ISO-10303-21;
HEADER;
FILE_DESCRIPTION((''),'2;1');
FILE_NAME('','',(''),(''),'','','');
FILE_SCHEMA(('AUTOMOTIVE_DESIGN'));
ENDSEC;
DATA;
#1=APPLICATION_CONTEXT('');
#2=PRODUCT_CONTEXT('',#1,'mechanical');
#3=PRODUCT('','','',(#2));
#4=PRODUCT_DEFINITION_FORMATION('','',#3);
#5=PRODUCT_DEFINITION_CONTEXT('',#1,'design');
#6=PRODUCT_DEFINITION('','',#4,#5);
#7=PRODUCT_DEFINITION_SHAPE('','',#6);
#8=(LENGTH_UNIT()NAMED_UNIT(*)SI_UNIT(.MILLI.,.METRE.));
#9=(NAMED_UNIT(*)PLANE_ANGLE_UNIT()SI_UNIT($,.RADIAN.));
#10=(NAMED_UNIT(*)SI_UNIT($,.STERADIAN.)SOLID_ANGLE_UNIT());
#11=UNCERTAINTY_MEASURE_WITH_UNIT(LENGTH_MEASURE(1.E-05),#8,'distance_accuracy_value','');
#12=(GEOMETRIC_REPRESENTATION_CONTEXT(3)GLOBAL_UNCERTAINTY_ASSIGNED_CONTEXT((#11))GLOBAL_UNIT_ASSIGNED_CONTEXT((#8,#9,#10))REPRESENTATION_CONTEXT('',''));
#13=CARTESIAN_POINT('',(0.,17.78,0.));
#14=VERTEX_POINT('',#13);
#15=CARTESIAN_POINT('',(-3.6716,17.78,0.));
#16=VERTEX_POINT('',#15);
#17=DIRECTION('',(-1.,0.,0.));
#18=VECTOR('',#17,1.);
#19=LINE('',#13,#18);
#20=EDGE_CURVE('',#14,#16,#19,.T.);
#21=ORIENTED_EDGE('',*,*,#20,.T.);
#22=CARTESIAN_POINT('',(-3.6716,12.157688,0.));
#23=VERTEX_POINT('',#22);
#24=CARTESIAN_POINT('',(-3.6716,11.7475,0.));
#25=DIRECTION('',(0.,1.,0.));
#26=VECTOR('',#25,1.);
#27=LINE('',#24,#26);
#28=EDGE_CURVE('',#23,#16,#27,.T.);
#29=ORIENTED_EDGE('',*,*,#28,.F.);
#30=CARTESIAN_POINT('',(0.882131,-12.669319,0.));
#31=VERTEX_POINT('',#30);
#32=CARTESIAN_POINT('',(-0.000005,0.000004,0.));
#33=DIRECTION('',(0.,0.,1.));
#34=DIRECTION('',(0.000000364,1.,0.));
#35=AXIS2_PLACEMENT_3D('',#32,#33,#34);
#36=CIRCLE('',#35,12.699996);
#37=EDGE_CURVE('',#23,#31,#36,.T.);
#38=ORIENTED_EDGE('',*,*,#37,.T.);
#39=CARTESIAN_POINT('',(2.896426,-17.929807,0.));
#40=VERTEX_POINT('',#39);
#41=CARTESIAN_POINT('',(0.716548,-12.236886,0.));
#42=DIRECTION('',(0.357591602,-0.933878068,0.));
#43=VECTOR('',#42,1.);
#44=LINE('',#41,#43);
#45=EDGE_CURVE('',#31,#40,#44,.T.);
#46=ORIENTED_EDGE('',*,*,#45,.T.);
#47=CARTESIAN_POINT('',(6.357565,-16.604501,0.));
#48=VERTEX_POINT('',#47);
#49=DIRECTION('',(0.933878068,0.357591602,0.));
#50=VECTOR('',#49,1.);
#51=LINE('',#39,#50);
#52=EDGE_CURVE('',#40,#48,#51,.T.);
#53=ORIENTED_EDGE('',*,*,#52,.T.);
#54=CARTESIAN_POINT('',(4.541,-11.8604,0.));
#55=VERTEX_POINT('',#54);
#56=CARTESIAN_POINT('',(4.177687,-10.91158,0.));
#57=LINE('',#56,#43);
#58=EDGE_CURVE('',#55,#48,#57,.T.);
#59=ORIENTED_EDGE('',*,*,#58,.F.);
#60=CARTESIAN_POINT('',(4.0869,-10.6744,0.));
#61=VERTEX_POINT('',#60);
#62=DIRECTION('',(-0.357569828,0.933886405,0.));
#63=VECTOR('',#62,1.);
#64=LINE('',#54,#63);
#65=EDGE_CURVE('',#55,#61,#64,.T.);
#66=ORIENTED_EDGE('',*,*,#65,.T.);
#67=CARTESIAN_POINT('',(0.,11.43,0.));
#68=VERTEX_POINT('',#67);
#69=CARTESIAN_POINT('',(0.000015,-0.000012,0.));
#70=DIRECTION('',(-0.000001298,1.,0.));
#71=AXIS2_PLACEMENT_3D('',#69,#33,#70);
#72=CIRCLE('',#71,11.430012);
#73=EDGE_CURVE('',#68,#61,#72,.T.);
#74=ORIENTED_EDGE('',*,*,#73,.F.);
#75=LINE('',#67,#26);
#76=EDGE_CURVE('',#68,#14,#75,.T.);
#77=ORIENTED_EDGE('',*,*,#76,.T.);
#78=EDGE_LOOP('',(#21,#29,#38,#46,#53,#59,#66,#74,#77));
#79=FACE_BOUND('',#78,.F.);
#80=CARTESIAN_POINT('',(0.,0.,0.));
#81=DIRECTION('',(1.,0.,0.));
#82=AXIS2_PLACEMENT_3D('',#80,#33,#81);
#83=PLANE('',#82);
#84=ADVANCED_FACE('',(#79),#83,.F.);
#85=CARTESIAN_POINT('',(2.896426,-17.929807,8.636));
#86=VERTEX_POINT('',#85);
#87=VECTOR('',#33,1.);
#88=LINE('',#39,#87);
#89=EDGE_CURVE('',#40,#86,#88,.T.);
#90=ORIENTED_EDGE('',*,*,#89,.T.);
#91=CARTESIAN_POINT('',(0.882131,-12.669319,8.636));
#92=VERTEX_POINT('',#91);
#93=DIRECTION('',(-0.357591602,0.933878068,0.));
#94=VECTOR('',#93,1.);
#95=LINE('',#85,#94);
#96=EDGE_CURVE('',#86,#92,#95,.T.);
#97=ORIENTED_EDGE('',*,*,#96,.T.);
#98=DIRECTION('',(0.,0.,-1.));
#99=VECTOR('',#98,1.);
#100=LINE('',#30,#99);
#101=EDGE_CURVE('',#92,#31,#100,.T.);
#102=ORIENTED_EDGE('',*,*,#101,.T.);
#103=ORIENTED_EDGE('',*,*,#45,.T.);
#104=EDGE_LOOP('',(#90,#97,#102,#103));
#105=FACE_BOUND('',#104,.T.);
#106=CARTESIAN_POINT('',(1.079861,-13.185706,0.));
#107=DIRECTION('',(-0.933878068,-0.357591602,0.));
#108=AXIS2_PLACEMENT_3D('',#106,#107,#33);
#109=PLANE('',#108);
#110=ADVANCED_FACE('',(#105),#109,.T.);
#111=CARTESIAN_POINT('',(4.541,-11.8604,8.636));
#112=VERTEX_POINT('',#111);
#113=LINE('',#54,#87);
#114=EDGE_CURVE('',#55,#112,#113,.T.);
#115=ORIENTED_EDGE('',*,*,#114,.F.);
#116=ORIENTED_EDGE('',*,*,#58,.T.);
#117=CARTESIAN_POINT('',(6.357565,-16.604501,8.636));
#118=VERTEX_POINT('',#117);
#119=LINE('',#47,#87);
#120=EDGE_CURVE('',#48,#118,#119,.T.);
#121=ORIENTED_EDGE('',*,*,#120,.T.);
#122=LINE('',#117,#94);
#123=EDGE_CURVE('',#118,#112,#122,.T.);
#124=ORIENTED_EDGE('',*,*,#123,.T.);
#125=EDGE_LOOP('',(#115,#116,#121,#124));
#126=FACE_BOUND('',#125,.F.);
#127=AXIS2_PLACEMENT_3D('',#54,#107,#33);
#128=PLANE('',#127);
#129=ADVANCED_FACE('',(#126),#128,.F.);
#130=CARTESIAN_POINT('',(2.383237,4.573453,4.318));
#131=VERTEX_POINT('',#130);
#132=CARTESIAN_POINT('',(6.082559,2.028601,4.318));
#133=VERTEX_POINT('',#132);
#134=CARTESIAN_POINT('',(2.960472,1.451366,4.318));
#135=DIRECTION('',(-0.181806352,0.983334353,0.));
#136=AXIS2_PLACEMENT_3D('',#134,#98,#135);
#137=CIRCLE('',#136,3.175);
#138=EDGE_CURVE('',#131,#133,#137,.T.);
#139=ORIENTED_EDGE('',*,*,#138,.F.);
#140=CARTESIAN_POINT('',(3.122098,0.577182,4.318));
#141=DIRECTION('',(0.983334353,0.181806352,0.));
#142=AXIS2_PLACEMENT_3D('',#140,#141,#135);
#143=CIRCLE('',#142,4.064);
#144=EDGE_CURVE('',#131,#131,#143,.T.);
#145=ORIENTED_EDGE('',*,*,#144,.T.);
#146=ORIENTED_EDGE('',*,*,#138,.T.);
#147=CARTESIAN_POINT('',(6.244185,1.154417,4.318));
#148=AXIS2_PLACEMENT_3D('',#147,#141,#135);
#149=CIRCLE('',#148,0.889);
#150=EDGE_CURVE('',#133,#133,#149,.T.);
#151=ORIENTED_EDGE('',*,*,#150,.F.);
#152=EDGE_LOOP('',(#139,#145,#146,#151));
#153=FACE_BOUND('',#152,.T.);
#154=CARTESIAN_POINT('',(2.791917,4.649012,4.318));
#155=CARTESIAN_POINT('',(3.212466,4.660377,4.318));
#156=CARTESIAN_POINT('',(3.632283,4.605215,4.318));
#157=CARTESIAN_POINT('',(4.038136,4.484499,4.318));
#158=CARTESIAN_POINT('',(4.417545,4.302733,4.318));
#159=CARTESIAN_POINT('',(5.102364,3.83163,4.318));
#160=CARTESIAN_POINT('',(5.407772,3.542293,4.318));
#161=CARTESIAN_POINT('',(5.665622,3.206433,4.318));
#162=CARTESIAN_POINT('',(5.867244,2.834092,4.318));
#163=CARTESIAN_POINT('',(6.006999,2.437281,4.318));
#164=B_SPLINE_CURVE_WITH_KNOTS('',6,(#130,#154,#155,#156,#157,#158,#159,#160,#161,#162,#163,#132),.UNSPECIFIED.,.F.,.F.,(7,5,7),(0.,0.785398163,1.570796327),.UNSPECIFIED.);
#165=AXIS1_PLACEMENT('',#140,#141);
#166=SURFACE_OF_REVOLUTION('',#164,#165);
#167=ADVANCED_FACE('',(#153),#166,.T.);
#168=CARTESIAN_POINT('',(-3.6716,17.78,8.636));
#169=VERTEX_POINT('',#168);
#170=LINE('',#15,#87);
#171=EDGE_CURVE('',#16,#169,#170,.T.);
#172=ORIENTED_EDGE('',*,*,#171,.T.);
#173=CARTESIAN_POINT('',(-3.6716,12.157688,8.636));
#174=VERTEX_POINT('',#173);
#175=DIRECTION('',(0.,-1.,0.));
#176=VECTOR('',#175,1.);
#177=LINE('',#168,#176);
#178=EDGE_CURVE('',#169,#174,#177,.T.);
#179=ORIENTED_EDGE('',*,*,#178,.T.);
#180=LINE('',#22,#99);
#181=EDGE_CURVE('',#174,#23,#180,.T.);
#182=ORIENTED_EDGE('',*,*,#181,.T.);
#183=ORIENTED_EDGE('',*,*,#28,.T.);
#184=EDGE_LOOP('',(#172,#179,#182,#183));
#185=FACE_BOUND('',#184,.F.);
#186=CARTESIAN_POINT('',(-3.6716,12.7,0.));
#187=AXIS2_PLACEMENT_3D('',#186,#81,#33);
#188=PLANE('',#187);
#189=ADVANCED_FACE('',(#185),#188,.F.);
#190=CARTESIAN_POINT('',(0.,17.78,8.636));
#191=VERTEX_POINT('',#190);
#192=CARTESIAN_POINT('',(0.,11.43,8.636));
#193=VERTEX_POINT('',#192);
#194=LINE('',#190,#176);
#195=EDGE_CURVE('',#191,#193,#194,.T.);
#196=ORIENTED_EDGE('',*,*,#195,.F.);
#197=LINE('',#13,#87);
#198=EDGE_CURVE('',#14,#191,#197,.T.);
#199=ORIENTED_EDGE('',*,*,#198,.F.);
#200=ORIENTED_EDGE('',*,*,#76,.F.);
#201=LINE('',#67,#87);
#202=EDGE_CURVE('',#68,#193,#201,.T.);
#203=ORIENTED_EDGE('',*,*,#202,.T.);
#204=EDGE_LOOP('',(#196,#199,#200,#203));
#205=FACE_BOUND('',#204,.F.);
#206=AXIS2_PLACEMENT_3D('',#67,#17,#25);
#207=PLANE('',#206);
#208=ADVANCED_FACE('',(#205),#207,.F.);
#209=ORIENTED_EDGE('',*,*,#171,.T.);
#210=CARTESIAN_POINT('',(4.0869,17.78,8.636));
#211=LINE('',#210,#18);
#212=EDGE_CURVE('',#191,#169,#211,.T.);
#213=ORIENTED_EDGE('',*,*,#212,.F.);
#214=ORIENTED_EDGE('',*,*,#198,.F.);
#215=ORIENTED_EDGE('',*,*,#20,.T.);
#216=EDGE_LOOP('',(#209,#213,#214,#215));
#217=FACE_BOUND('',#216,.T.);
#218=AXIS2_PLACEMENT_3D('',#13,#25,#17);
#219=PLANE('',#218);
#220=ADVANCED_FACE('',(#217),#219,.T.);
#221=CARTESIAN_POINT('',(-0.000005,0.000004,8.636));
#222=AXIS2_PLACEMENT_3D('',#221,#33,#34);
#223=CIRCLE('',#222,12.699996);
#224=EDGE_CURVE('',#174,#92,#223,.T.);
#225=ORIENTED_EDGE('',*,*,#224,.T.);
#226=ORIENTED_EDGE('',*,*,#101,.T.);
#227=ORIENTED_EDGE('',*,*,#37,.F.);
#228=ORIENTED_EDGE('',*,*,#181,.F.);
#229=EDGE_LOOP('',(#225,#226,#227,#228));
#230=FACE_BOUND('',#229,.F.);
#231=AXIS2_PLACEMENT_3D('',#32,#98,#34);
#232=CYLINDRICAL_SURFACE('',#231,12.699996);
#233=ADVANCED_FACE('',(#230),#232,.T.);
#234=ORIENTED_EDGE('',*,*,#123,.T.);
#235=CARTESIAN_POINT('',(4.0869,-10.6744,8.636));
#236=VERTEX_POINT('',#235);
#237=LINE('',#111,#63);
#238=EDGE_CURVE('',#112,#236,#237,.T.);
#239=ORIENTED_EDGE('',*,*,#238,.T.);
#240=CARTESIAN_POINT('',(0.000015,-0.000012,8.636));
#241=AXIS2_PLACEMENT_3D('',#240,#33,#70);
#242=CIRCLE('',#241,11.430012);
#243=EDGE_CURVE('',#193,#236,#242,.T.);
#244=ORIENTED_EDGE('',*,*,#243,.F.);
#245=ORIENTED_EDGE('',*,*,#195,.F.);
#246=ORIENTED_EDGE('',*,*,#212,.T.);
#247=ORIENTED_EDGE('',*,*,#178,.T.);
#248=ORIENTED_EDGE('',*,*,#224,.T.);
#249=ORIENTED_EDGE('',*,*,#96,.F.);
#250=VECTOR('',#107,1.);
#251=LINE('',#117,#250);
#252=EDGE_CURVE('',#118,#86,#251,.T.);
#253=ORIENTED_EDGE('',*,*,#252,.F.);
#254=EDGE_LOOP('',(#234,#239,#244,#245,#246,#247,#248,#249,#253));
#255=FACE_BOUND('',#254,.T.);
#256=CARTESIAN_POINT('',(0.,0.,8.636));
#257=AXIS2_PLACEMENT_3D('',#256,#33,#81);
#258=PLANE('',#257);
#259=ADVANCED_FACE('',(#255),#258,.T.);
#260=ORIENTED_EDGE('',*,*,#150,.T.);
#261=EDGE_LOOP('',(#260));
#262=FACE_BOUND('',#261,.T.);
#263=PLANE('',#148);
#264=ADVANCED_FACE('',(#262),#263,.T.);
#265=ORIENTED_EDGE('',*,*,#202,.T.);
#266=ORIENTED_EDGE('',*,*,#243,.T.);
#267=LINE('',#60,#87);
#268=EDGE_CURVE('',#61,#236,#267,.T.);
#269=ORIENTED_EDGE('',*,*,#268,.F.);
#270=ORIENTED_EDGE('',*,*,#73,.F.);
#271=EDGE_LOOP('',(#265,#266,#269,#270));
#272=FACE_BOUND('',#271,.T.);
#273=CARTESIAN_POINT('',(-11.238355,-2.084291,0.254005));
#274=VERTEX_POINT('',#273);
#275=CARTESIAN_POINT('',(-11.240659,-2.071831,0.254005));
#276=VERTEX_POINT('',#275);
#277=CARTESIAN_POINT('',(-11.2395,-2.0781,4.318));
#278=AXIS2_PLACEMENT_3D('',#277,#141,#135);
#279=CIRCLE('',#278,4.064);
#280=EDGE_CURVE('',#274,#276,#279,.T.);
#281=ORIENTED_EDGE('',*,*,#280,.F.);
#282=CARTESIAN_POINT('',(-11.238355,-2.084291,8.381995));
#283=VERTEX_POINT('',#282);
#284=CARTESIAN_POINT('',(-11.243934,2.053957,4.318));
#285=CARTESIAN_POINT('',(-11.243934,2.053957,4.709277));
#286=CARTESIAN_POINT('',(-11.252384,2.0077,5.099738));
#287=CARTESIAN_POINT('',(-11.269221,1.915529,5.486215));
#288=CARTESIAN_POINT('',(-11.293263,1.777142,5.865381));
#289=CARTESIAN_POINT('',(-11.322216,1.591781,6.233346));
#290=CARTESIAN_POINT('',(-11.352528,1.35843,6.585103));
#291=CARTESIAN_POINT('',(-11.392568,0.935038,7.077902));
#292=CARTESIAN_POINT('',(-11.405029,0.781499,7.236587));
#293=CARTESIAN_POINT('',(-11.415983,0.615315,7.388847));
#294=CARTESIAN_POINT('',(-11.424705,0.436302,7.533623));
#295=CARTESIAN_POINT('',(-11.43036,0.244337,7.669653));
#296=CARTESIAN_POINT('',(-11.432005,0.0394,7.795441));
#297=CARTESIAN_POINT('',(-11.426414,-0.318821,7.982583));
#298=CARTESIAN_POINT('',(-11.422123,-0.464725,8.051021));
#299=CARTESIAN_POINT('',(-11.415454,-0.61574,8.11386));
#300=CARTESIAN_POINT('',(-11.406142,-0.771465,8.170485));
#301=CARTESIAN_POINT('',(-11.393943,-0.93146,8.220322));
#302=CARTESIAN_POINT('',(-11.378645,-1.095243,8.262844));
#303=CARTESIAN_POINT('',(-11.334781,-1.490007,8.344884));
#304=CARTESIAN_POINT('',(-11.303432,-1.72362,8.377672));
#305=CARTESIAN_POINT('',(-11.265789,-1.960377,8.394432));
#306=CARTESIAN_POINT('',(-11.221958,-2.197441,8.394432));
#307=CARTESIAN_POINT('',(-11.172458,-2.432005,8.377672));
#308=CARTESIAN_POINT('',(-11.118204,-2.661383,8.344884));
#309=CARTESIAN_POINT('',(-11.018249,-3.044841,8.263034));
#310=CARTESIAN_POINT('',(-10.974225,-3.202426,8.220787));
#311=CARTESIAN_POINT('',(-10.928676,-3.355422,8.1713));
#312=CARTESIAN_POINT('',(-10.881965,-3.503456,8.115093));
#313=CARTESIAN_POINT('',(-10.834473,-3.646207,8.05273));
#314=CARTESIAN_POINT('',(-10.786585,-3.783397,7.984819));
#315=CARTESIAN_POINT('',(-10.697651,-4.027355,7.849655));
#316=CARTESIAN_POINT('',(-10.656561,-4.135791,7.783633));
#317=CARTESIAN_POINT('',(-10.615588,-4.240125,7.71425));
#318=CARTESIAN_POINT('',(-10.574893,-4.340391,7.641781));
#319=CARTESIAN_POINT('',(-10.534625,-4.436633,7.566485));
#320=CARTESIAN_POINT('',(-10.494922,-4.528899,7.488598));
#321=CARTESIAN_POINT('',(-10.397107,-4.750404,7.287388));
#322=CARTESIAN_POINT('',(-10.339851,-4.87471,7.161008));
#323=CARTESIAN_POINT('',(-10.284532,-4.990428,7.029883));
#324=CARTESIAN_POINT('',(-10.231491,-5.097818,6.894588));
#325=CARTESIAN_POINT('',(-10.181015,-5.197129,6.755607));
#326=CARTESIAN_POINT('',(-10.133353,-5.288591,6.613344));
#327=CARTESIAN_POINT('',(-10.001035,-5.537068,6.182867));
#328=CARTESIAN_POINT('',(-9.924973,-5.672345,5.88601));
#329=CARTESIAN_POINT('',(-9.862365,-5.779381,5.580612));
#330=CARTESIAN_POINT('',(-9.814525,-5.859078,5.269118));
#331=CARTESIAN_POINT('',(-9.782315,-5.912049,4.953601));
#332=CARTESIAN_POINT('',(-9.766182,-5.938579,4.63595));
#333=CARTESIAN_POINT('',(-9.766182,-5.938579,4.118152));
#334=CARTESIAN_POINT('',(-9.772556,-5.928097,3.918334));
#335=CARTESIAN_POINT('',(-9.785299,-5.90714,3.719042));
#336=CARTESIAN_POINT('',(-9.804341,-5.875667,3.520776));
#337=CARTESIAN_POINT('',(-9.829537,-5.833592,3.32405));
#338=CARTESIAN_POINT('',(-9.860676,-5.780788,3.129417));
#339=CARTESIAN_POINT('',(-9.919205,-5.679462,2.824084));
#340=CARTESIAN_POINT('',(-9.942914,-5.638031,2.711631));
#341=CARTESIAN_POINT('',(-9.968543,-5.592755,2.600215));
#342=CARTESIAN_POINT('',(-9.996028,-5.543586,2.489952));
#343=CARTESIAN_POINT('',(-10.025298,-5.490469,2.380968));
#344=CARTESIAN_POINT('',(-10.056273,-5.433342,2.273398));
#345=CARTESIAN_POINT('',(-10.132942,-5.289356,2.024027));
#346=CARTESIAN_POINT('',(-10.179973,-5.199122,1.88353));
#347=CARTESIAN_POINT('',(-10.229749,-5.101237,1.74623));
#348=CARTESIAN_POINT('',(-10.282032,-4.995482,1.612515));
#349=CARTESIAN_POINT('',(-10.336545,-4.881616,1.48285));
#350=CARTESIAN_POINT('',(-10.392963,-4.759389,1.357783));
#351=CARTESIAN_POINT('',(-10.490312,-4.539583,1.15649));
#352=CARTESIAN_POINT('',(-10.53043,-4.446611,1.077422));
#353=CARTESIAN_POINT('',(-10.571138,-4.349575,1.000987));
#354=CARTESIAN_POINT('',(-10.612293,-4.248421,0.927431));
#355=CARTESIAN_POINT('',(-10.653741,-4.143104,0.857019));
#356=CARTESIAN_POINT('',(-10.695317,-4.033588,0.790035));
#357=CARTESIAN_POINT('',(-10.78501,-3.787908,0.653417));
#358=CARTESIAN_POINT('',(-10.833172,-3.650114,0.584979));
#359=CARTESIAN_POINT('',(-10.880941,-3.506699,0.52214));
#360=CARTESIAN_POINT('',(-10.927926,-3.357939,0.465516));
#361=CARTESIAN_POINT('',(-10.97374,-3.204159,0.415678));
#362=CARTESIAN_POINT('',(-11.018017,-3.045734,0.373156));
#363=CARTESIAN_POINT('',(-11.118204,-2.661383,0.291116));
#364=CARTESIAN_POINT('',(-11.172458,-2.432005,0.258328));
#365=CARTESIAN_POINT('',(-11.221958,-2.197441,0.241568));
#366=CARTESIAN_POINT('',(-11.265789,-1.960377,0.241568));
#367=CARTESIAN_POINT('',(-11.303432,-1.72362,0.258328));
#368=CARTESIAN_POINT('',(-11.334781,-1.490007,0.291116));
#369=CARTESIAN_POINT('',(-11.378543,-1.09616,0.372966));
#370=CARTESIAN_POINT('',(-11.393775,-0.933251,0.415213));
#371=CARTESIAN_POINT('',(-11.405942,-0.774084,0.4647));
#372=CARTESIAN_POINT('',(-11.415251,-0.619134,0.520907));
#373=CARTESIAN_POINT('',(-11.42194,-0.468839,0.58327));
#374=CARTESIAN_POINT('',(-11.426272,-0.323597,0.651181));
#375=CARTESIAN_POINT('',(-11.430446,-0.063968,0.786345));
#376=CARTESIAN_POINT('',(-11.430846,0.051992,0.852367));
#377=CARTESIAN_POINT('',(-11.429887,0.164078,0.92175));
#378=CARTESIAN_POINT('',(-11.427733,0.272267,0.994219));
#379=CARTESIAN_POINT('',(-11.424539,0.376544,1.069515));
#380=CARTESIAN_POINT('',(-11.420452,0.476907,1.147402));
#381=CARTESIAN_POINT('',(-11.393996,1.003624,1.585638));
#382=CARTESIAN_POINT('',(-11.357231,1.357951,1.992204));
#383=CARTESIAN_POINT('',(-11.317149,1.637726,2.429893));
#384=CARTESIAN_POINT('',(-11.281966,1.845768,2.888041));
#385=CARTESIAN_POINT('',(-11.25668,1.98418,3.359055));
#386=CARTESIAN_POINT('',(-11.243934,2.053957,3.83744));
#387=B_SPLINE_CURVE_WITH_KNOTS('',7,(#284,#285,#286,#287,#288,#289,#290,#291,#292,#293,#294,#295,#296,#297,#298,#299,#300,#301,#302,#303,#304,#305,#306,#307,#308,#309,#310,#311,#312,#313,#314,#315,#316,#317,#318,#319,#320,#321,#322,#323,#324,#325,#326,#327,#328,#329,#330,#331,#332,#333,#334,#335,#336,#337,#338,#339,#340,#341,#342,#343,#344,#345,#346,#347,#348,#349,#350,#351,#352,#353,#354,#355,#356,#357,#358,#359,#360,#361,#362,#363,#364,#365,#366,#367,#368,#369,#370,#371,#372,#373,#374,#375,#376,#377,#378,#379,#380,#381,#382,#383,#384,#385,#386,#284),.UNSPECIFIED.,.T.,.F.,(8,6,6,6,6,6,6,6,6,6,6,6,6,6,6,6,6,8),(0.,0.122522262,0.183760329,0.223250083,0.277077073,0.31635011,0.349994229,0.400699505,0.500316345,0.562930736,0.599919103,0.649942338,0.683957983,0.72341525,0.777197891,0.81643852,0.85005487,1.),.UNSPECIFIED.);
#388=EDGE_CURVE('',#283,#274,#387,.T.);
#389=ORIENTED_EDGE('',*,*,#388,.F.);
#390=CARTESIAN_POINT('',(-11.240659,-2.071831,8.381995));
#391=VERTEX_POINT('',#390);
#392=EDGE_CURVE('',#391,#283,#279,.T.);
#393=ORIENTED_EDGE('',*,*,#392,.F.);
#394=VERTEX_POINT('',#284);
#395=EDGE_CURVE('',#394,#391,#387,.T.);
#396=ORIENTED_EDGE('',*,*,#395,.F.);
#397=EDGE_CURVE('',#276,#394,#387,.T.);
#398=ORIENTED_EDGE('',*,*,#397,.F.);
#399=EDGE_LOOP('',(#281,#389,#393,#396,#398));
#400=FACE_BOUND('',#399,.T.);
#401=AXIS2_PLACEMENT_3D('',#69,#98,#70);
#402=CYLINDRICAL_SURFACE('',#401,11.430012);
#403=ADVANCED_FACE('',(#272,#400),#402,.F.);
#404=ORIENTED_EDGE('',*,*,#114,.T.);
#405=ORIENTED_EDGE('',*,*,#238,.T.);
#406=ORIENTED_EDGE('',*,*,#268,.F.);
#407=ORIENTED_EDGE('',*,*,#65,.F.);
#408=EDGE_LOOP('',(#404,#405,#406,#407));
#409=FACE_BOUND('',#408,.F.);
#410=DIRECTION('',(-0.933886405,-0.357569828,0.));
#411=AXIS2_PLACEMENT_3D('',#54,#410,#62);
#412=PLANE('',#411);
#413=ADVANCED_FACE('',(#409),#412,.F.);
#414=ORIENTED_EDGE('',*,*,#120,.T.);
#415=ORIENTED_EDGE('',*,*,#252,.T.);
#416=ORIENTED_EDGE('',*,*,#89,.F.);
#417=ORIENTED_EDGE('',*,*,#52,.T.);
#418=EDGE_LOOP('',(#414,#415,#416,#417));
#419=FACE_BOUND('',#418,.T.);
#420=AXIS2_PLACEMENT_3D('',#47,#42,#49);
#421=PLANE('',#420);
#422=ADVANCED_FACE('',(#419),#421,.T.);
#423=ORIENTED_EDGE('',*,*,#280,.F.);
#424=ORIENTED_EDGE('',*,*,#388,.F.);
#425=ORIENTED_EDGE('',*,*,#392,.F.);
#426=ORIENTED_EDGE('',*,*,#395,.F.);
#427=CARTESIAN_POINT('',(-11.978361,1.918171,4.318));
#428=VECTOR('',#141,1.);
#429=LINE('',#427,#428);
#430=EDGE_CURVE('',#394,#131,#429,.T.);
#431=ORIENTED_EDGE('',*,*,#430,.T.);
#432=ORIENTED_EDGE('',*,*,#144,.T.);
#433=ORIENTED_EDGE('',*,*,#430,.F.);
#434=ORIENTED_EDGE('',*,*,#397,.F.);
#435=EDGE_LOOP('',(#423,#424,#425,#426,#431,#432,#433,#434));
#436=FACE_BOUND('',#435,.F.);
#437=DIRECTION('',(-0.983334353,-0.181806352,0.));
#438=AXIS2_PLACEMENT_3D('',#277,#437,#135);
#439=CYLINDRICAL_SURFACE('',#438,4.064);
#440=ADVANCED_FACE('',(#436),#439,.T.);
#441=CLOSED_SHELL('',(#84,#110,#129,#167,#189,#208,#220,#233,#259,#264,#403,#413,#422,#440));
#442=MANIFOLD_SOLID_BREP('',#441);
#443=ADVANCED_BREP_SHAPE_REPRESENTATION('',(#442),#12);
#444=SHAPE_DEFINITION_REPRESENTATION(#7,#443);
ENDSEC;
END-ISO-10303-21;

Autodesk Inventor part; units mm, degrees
ref_plane "YZ Plane" through (0, 0, 0) normal (1, 0, 0) x (0, 1, 0)
ref_plane "XZ Plane" through (0, 0, 0) normal (0, 1, 0) x (-1, 0, 0)
sketch "Sketch1" plane through (0, 0, 0) normal (0, 0, 1) x (1, 0, 0)
  arc A0 (0, 12.7) -> (4.541, -11.8604) centre (0, 0) ccw
  arc A1 (0, 11.43) -> (4.0869, -10.6744) centre (0, 0) ccw
  line L0 (0, 11.43) -> (0, 12.7)
  line L1 (4.541, -11.8604) -> (4.0869, -10.6744)
  dimension "d0" = 25.4
  dimension "d1" = 22.86
extrude "Extrusion1" add sketch "Sketch1" along normal blind 8.636
ref_plane "Work Plane1" through (0, 0, 0) normal (0.1818, -0.9833, 0) x (0, 0, -1)
sketch "Sketch2" plane through (0, 0, 0) normal (0.1818, -0.9833, 0) x (0, 0, -1)
  line L0 (-8.636, -11.43) -> (0, -11.43) projected
  point P0 (0, 0)
  point P1 (-4.318, -11.43)
ref_plane "Work Plane2" through (-11.2395, -2.0781, 4.318) normal (0.9833, 0.1818, 0) x (-0.1818, 0.9833, 0)
sketch "Sketch3" plane through (-11.2395, -2.0781, 4.318) normal (0.9833, 0.1818, 0) x (-0.1818, 0.9833, 0)
  circle A0 centre (0, 0) radius 4.064
  point P0 (0, -4.318)
  dimension "d4" = 8.128
extrude "Extrusion2" add sketch "Sketch3" along normal blind 17.78
fillet "Fillet1" radius 3.175 1 edges at (6.983, -2.8418, 4.318)
ref_plane "Work Plane3" through (0, 12.7, 0) normal (0, 1, 0) x (-1, 0, 0)
sketch "Sketch4" plane through (0, 12.7, 0) normal (0, 1, 0) x (-1, 0, 0)
  line L0 (0, 0) -> (0, 8.636) projected
  line L1 (-4.0869, 8.636) -> (11.43, 8.636) projected
  line L2 (0, 0) -> (3.6716, 0)
  line L3 (3.6716, 0) -> (3.6716, 8.636)
  line L4 (3.6716, 8.636) -> (0, 8.636)
  line L5 (0, 8.636) -> (0, 0)
extrude "Extrusion3" add sketch "Sketch4" along normal blind 5.08 and the other way blind 0.9525
ref_plane "Work Plane4" through (4.541, -11.8604, 0) normal (0.3576, -0.9339, 0) x (0.9339, 0.3576, 0)
sketch "Sketch5" plane through (4.541, -11.8604, 0) normal (0.3576, -0.9339, 0) x (0.9339, 0.3576, 0)
  line L0 (-3.7062, 0) -> (-3.7062, 8.66)
  line L1 (-3.7062, 0) -> (0, 0)
  line L2 (0, 0) -> (0, 8.636)
  line L3 (0, 8.636) -> (-3.7062, 8.636)
  line L4 (-3.7062, 8.636) -> (-3.7062, 0)
  line L5 (0.9182, 8.636) -> (-12.7, 8.636) projected
  line L6 (0, 0) -> (0, 8.636) projected
  line L7 (0.9182, 0) -> (-12.7, 0) projected
  point P0 (-3.7062, 8.636)
  dimension "d12" = 0
  dimension "d13" = 0
  dimension "d14" = 0
extrude "Extrusion4" add sketch "Sketch5" along normal blind 5.08 and the other way blind 1.016
properties part number "Clip1"
